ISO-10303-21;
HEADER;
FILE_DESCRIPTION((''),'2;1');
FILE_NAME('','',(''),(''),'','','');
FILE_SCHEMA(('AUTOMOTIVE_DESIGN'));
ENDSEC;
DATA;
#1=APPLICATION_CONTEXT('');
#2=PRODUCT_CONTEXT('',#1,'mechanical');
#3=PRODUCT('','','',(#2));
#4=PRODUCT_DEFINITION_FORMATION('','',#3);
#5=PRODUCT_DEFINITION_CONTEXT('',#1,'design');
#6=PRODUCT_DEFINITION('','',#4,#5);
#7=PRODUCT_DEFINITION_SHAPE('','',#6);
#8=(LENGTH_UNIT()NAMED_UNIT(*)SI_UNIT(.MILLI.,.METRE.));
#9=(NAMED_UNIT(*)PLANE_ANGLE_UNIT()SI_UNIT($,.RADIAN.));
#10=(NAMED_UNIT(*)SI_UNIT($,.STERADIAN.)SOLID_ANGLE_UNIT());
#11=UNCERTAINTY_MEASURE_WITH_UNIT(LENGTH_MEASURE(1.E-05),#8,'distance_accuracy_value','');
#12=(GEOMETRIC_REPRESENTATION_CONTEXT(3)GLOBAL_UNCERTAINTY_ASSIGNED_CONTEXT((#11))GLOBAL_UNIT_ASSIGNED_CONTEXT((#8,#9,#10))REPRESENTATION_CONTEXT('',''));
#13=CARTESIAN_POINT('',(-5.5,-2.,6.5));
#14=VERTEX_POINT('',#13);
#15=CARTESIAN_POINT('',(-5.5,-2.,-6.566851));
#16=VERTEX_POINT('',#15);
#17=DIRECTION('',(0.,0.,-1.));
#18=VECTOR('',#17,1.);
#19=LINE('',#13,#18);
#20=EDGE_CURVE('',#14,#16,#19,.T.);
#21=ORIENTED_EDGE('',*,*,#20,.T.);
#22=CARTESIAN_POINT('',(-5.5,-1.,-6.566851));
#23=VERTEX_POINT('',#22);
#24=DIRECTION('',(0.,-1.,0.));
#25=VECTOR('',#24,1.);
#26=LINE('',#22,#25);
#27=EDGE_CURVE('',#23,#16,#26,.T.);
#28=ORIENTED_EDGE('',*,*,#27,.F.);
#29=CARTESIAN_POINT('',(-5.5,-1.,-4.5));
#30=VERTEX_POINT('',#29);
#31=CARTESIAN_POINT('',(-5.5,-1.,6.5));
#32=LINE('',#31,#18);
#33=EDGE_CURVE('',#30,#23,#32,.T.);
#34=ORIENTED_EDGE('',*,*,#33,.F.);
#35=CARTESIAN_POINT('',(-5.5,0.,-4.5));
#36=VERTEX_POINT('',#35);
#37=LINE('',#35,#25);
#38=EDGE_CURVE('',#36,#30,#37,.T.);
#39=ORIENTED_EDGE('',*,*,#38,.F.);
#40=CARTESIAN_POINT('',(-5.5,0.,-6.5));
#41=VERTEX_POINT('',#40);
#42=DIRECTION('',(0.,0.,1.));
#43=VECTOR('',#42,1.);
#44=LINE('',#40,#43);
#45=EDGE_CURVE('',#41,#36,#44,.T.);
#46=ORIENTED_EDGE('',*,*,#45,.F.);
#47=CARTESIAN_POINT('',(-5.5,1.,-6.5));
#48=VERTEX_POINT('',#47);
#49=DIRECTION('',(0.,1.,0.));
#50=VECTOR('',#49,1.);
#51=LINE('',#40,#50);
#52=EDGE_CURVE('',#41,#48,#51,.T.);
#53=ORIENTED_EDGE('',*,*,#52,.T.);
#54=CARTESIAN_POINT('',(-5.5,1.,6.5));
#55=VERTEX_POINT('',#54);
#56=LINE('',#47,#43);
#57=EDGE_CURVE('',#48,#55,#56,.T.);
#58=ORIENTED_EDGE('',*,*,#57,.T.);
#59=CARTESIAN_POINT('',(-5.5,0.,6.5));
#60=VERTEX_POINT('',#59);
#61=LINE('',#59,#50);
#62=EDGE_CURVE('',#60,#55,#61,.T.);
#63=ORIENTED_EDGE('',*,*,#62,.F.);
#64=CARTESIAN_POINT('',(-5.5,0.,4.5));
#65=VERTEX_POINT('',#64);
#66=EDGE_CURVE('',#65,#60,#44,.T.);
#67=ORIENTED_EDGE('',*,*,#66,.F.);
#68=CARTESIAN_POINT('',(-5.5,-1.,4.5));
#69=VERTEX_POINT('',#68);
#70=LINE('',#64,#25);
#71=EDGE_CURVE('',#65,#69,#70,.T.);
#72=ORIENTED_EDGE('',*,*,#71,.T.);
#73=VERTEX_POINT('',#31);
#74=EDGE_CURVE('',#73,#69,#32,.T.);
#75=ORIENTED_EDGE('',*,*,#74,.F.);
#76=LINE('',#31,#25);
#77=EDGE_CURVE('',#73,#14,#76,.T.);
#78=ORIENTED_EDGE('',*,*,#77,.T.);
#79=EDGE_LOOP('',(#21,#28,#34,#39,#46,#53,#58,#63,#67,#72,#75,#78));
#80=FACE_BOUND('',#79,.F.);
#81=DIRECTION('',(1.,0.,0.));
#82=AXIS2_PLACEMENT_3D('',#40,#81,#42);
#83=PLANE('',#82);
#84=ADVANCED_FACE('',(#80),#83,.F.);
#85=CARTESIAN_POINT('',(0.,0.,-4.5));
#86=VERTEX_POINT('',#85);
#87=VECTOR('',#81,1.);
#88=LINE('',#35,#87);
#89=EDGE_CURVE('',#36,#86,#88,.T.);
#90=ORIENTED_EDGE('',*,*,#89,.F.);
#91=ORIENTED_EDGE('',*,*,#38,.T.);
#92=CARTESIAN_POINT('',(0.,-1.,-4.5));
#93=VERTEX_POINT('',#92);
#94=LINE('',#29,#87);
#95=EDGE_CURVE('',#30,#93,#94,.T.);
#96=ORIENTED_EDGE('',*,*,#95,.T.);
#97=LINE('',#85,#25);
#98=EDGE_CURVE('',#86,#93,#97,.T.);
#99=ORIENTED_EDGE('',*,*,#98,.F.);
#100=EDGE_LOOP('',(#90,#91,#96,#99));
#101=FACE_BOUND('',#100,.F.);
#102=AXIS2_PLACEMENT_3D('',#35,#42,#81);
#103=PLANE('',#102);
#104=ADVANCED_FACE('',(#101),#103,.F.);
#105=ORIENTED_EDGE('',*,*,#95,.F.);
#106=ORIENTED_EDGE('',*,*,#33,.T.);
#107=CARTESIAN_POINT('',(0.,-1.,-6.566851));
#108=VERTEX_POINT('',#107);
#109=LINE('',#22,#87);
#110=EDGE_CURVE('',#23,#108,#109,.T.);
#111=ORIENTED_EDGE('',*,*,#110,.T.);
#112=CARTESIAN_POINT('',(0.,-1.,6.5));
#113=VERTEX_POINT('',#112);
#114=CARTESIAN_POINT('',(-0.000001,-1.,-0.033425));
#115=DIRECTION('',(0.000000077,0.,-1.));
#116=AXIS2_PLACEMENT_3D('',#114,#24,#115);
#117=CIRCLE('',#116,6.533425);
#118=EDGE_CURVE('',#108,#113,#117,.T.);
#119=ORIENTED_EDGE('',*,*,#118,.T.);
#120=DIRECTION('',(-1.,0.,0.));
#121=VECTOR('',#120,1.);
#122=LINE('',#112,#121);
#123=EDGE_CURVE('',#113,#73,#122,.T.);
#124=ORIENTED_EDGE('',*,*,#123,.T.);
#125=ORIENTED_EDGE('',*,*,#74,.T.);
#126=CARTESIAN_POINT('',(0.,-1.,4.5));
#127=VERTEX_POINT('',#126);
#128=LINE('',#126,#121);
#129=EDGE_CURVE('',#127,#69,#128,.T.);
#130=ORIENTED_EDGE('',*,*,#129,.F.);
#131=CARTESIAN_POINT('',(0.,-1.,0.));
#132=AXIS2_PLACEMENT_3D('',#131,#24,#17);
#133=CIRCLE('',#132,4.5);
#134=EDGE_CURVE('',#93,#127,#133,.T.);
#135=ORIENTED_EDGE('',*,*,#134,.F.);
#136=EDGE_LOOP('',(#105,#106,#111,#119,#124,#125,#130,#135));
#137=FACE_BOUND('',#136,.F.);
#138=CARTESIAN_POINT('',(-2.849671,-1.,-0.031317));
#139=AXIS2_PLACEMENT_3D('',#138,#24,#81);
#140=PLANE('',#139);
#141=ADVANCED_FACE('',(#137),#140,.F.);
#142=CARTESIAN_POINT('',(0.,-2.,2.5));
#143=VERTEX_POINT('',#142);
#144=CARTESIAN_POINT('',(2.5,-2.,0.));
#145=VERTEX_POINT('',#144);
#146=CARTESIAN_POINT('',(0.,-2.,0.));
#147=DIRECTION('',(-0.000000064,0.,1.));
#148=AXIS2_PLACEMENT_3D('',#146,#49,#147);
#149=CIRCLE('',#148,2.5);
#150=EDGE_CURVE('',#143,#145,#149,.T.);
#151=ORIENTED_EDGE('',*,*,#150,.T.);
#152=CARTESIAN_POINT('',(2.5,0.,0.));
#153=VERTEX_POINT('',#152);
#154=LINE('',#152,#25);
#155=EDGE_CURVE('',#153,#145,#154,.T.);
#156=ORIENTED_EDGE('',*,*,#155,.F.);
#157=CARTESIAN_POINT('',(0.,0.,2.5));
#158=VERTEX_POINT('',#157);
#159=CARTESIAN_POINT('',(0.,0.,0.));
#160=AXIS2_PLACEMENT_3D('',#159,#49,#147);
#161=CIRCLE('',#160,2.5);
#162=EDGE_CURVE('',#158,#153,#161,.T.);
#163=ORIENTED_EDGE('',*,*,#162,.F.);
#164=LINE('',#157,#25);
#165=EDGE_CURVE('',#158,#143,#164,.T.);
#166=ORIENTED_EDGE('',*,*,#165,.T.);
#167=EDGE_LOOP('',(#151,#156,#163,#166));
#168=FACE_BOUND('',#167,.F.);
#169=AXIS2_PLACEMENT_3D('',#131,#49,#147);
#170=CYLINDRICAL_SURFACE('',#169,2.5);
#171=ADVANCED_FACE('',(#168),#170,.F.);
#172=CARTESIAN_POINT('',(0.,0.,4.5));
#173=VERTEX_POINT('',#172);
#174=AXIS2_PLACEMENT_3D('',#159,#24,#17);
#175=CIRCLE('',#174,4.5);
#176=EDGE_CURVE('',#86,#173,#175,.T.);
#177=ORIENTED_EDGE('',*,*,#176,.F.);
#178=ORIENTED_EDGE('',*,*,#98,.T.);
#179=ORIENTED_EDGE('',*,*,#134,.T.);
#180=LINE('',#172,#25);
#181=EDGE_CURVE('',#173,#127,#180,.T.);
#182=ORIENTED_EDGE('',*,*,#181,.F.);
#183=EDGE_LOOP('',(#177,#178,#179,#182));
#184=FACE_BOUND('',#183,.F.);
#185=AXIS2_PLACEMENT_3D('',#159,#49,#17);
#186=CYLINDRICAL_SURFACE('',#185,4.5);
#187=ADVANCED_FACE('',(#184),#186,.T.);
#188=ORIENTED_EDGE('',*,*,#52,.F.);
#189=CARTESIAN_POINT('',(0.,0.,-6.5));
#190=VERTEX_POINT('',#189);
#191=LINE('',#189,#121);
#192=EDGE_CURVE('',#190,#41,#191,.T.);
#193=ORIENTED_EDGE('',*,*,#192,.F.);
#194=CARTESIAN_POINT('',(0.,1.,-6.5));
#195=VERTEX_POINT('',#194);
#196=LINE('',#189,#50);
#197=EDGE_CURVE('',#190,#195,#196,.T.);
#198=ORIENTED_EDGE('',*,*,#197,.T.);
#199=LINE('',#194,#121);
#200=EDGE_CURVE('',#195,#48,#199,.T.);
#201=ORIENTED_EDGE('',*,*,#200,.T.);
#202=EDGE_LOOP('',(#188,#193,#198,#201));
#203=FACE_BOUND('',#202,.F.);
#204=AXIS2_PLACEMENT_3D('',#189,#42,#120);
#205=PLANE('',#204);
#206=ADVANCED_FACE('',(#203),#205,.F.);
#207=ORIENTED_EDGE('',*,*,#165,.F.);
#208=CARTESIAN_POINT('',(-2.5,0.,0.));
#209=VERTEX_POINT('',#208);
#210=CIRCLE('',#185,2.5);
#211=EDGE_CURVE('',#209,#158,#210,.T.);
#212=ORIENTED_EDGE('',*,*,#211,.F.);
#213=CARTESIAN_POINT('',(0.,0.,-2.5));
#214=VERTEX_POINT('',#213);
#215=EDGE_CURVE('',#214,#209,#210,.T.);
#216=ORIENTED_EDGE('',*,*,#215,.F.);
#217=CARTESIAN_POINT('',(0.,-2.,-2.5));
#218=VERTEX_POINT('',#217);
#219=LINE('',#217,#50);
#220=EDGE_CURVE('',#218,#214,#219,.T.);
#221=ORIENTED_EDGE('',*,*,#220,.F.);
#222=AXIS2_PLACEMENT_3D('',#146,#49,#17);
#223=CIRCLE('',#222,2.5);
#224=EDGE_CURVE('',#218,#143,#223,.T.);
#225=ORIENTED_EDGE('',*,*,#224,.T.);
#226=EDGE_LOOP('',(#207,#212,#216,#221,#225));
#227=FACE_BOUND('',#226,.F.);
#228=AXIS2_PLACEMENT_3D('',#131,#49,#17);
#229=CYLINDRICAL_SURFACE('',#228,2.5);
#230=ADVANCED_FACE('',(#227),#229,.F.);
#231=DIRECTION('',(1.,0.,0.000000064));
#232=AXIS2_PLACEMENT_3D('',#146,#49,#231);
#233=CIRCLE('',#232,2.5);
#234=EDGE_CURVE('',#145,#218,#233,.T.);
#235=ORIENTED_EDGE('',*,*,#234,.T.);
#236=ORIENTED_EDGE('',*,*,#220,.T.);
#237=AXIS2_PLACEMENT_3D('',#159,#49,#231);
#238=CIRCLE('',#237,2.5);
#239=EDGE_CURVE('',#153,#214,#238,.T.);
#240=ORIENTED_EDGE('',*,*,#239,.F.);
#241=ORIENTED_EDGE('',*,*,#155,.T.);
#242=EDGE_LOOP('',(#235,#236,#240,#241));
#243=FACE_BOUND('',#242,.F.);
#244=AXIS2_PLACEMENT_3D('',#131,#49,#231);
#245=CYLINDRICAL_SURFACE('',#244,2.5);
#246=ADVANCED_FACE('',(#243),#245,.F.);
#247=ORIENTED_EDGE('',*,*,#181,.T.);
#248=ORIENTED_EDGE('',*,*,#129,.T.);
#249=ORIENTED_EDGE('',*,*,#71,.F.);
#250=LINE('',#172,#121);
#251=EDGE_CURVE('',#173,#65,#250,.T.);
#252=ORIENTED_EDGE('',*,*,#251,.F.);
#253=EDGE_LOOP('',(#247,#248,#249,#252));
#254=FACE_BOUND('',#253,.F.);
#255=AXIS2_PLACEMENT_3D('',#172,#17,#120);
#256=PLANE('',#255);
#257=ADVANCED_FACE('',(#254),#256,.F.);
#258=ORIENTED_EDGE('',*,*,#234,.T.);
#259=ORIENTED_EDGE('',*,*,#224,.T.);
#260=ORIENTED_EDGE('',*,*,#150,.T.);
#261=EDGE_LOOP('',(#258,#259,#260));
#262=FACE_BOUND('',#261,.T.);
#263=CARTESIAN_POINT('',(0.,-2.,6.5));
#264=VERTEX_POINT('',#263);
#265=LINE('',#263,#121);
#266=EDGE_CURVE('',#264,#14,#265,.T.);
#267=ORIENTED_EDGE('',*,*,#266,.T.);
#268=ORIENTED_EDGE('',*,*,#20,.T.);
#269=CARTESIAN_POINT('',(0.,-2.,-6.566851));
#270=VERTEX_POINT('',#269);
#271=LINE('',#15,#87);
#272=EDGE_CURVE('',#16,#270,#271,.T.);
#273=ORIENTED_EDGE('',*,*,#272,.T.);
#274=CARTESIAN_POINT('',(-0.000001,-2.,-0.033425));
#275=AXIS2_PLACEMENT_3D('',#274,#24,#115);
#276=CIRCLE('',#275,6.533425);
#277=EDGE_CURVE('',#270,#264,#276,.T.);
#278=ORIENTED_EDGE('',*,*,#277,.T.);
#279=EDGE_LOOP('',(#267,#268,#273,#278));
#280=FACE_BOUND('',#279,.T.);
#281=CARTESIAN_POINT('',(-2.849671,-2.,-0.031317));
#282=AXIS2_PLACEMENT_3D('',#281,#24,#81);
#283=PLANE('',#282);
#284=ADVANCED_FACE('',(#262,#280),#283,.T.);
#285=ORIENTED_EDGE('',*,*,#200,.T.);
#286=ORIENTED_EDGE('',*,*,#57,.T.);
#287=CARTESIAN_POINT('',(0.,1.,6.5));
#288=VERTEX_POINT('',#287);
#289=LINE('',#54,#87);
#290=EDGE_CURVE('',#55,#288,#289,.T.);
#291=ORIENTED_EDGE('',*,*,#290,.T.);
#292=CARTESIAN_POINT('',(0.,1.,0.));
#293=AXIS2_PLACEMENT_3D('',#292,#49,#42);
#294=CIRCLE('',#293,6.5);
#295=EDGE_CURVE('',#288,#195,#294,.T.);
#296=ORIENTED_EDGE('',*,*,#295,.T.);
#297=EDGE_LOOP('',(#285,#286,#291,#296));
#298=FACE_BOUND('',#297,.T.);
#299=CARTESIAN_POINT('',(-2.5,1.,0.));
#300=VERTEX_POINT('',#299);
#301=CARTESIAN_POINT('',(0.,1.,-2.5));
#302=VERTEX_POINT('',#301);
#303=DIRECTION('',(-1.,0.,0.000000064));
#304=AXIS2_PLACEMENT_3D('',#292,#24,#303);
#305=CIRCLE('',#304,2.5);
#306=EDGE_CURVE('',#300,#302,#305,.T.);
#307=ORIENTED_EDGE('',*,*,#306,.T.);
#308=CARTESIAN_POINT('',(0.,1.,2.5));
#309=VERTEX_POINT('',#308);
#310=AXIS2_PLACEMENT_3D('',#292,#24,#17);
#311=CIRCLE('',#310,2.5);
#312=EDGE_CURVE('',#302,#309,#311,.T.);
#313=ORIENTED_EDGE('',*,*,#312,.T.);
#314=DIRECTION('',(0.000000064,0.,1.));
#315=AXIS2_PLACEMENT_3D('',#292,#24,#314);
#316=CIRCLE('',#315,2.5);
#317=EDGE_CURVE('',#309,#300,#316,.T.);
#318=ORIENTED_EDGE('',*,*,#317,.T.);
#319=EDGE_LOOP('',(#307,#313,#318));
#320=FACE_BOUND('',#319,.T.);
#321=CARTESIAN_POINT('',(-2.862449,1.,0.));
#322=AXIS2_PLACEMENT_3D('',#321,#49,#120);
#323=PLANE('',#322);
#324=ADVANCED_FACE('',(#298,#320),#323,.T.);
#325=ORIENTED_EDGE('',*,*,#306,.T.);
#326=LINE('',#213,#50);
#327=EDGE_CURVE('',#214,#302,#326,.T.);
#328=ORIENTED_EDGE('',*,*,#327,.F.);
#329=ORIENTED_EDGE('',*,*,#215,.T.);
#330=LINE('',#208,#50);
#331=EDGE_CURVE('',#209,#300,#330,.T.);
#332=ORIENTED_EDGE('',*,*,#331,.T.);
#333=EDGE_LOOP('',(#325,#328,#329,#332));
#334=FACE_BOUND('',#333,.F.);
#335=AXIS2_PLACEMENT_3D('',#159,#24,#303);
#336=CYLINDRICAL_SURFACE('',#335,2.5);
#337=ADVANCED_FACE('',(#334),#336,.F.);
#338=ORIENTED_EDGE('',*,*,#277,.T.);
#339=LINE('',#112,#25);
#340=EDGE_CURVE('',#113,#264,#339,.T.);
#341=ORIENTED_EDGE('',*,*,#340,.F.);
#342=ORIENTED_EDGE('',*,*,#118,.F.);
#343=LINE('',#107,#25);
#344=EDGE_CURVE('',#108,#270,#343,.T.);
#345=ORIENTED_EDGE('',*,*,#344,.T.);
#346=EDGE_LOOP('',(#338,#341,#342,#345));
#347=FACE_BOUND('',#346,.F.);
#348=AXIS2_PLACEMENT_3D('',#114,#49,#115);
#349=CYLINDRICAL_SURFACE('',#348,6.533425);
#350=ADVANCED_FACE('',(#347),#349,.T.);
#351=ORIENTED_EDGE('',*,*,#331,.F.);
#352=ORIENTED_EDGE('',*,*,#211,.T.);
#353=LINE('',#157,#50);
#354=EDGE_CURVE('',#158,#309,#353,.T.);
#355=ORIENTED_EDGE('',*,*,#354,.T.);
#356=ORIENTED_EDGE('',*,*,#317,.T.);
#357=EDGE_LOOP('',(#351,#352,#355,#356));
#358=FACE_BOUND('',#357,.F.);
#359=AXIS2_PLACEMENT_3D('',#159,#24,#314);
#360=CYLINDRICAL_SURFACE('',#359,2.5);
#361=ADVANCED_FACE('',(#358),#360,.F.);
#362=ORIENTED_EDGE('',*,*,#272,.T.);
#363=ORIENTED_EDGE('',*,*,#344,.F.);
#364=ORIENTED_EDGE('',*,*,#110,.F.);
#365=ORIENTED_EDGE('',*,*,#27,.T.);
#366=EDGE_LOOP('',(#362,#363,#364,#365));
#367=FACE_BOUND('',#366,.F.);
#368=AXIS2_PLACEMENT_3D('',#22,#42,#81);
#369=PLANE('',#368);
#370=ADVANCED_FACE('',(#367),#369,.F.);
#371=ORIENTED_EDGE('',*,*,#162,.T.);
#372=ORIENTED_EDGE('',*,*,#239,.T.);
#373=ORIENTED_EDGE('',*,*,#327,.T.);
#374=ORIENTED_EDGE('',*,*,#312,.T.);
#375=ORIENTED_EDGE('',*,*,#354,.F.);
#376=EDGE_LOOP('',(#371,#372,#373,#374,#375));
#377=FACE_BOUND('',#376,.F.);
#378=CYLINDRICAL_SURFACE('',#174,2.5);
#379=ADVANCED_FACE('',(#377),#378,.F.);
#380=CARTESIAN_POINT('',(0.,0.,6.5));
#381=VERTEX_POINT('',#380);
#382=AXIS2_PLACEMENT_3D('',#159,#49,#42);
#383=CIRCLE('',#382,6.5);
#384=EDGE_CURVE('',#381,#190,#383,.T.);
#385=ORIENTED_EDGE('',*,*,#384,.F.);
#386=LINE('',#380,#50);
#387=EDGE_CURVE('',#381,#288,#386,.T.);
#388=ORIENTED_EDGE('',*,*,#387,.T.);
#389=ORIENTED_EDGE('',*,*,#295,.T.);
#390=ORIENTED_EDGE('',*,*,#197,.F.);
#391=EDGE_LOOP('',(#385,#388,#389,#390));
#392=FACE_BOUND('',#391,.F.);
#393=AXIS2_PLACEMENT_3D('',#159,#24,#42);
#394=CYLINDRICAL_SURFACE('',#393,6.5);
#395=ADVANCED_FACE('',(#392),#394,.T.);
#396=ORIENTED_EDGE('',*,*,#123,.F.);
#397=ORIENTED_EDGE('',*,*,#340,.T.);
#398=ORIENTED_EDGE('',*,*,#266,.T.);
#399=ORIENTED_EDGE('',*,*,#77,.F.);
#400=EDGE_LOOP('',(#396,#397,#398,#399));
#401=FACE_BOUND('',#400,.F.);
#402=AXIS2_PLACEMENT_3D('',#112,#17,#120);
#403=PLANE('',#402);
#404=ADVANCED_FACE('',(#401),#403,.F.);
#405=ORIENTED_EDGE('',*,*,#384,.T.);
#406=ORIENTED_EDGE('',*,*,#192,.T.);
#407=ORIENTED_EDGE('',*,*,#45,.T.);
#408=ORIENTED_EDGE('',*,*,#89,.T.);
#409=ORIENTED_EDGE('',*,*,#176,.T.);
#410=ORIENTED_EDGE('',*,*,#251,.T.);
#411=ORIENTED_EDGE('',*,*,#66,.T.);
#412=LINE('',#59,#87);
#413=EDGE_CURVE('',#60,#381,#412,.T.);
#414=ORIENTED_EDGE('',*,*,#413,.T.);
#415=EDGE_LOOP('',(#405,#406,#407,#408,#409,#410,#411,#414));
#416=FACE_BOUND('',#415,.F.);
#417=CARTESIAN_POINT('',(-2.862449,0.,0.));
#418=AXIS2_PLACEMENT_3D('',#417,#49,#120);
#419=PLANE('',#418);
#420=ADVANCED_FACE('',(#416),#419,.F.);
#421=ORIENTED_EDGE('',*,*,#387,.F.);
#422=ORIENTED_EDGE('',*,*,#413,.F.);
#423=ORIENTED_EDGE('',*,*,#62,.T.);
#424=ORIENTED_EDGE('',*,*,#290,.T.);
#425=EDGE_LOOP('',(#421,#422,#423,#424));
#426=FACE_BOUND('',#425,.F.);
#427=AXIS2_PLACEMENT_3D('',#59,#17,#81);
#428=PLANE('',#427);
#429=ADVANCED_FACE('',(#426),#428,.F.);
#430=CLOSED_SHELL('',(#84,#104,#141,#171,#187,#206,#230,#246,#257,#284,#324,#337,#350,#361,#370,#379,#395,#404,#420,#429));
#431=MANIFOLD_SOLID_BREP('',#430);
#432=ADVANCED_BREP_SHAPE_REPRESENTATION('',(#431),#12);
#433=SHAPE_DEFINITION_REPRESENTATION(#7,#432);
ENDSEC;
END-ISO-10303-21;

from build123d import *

# Parameters (mm, degrees)
F1_DEPTH = 1
F3_DEPTH = 1
F5_DEPTH = 1


with BuildPart() as f1:
    # F0 (on Front) → F1 (new body)
    with BuildSketch(Plane.XZ):
        with BuildLine():
            ThreePointArc((0, 2.5), (1.767767, 1.767767), (2.5, 0))
            ThreePointArc((2.5, 0), (1.767767, -1.767767), (0, -2.5))
            Line((0, -2.5), (0, -4.5))
            ThreePointArc((0, -4.5), (4.5, 0), (0, 4.5))
            Line((0, 4.5), (0, 2.5))
        make_face()
        with BuildLine():
            ThreePointArc((0, -2.5), (-2.5, 0), (0, 2.5))
            Line((0, 2.5), (0, 4.5))
            Line((0, 4.5), (-5.5, 4.5))
            Line((-5.5, 4.5), (-5.5, -4.5))
            Line((-5.5, -4.5), (0, -4.5))
            Line((0, -4.5), (0, -2.5))
        make_face()
    extrude(amount=F1_DEPTH)

    # F2 (on face) → F3 (join)
    with BuildSketch(Plane.XZ.offset(1)):
        with BuildLine():
            Line((0, 2.5), (0, 6.5))
            Line((0, 6.5), (-5.5, 6.5))
            Line((-5.5, 6.5), (-5.5, -6.566851))
            Line((-5.5, -6.566851), (0, -6.566851))
            Line((0, -6.566851), (0, -2.5))
            ThreePointArc((0, -2.5), (-2.5, 0), (0, 2.5))
        make_face()
        with BuildLine():
            ThreePointArc((0, -6.566851), (6.533425, -0.033425), (0, 6.5))
            Line((0, 6.5), (0, 2.5))
            ThreePointArc((0, 2.5), (1.767767, 1.767767), (2.5, 0))
            ThreePointArc((2.5, 0), (1.767767, -1.767767), (0, -2.5))
            Line((0, -2.5), (0, -6.566851))
        make_face()
    extrude(amount=F3_DEPTH)

    # F4 (on face) → F5 (join)
    with BuildSketch(Plane(origin=(0, 0, 0), x_dir=(-1, 0, 0), z_dir=(0, 1, 0))):
        with BuildLine():
            ThreePointArc((0, 2.5), (1.767767, 1.767767), (2.5, 0))
            ThreePointArc((2.5, 0), (1.767767, -1.767767), (0, -2.5))
            Line((0, -2.5), (0, -6.5))
            Line((0, -6.5), (5.5, -6.5))
            Line((5.5, -6.5), (5.5, 6.5))
            Line((5.5, 6.5), (0, 6.5))
            Line((0, 6.5), (0, 2.5))
        make_face()
        with BuildLine():
            ThreePointArc((0, -2.5), (-2.5, 0), (0, 2.5))
            Line((0, 2.5), (0, 6.5))
            ThreePointArc((0, 6.5), (-6.5, 0), (0, -6.5))
            Line((0, -6.5), (0, -2.5))
        make_face()
    extrude(amount=F5_DEPTH)


solid = f1.part
